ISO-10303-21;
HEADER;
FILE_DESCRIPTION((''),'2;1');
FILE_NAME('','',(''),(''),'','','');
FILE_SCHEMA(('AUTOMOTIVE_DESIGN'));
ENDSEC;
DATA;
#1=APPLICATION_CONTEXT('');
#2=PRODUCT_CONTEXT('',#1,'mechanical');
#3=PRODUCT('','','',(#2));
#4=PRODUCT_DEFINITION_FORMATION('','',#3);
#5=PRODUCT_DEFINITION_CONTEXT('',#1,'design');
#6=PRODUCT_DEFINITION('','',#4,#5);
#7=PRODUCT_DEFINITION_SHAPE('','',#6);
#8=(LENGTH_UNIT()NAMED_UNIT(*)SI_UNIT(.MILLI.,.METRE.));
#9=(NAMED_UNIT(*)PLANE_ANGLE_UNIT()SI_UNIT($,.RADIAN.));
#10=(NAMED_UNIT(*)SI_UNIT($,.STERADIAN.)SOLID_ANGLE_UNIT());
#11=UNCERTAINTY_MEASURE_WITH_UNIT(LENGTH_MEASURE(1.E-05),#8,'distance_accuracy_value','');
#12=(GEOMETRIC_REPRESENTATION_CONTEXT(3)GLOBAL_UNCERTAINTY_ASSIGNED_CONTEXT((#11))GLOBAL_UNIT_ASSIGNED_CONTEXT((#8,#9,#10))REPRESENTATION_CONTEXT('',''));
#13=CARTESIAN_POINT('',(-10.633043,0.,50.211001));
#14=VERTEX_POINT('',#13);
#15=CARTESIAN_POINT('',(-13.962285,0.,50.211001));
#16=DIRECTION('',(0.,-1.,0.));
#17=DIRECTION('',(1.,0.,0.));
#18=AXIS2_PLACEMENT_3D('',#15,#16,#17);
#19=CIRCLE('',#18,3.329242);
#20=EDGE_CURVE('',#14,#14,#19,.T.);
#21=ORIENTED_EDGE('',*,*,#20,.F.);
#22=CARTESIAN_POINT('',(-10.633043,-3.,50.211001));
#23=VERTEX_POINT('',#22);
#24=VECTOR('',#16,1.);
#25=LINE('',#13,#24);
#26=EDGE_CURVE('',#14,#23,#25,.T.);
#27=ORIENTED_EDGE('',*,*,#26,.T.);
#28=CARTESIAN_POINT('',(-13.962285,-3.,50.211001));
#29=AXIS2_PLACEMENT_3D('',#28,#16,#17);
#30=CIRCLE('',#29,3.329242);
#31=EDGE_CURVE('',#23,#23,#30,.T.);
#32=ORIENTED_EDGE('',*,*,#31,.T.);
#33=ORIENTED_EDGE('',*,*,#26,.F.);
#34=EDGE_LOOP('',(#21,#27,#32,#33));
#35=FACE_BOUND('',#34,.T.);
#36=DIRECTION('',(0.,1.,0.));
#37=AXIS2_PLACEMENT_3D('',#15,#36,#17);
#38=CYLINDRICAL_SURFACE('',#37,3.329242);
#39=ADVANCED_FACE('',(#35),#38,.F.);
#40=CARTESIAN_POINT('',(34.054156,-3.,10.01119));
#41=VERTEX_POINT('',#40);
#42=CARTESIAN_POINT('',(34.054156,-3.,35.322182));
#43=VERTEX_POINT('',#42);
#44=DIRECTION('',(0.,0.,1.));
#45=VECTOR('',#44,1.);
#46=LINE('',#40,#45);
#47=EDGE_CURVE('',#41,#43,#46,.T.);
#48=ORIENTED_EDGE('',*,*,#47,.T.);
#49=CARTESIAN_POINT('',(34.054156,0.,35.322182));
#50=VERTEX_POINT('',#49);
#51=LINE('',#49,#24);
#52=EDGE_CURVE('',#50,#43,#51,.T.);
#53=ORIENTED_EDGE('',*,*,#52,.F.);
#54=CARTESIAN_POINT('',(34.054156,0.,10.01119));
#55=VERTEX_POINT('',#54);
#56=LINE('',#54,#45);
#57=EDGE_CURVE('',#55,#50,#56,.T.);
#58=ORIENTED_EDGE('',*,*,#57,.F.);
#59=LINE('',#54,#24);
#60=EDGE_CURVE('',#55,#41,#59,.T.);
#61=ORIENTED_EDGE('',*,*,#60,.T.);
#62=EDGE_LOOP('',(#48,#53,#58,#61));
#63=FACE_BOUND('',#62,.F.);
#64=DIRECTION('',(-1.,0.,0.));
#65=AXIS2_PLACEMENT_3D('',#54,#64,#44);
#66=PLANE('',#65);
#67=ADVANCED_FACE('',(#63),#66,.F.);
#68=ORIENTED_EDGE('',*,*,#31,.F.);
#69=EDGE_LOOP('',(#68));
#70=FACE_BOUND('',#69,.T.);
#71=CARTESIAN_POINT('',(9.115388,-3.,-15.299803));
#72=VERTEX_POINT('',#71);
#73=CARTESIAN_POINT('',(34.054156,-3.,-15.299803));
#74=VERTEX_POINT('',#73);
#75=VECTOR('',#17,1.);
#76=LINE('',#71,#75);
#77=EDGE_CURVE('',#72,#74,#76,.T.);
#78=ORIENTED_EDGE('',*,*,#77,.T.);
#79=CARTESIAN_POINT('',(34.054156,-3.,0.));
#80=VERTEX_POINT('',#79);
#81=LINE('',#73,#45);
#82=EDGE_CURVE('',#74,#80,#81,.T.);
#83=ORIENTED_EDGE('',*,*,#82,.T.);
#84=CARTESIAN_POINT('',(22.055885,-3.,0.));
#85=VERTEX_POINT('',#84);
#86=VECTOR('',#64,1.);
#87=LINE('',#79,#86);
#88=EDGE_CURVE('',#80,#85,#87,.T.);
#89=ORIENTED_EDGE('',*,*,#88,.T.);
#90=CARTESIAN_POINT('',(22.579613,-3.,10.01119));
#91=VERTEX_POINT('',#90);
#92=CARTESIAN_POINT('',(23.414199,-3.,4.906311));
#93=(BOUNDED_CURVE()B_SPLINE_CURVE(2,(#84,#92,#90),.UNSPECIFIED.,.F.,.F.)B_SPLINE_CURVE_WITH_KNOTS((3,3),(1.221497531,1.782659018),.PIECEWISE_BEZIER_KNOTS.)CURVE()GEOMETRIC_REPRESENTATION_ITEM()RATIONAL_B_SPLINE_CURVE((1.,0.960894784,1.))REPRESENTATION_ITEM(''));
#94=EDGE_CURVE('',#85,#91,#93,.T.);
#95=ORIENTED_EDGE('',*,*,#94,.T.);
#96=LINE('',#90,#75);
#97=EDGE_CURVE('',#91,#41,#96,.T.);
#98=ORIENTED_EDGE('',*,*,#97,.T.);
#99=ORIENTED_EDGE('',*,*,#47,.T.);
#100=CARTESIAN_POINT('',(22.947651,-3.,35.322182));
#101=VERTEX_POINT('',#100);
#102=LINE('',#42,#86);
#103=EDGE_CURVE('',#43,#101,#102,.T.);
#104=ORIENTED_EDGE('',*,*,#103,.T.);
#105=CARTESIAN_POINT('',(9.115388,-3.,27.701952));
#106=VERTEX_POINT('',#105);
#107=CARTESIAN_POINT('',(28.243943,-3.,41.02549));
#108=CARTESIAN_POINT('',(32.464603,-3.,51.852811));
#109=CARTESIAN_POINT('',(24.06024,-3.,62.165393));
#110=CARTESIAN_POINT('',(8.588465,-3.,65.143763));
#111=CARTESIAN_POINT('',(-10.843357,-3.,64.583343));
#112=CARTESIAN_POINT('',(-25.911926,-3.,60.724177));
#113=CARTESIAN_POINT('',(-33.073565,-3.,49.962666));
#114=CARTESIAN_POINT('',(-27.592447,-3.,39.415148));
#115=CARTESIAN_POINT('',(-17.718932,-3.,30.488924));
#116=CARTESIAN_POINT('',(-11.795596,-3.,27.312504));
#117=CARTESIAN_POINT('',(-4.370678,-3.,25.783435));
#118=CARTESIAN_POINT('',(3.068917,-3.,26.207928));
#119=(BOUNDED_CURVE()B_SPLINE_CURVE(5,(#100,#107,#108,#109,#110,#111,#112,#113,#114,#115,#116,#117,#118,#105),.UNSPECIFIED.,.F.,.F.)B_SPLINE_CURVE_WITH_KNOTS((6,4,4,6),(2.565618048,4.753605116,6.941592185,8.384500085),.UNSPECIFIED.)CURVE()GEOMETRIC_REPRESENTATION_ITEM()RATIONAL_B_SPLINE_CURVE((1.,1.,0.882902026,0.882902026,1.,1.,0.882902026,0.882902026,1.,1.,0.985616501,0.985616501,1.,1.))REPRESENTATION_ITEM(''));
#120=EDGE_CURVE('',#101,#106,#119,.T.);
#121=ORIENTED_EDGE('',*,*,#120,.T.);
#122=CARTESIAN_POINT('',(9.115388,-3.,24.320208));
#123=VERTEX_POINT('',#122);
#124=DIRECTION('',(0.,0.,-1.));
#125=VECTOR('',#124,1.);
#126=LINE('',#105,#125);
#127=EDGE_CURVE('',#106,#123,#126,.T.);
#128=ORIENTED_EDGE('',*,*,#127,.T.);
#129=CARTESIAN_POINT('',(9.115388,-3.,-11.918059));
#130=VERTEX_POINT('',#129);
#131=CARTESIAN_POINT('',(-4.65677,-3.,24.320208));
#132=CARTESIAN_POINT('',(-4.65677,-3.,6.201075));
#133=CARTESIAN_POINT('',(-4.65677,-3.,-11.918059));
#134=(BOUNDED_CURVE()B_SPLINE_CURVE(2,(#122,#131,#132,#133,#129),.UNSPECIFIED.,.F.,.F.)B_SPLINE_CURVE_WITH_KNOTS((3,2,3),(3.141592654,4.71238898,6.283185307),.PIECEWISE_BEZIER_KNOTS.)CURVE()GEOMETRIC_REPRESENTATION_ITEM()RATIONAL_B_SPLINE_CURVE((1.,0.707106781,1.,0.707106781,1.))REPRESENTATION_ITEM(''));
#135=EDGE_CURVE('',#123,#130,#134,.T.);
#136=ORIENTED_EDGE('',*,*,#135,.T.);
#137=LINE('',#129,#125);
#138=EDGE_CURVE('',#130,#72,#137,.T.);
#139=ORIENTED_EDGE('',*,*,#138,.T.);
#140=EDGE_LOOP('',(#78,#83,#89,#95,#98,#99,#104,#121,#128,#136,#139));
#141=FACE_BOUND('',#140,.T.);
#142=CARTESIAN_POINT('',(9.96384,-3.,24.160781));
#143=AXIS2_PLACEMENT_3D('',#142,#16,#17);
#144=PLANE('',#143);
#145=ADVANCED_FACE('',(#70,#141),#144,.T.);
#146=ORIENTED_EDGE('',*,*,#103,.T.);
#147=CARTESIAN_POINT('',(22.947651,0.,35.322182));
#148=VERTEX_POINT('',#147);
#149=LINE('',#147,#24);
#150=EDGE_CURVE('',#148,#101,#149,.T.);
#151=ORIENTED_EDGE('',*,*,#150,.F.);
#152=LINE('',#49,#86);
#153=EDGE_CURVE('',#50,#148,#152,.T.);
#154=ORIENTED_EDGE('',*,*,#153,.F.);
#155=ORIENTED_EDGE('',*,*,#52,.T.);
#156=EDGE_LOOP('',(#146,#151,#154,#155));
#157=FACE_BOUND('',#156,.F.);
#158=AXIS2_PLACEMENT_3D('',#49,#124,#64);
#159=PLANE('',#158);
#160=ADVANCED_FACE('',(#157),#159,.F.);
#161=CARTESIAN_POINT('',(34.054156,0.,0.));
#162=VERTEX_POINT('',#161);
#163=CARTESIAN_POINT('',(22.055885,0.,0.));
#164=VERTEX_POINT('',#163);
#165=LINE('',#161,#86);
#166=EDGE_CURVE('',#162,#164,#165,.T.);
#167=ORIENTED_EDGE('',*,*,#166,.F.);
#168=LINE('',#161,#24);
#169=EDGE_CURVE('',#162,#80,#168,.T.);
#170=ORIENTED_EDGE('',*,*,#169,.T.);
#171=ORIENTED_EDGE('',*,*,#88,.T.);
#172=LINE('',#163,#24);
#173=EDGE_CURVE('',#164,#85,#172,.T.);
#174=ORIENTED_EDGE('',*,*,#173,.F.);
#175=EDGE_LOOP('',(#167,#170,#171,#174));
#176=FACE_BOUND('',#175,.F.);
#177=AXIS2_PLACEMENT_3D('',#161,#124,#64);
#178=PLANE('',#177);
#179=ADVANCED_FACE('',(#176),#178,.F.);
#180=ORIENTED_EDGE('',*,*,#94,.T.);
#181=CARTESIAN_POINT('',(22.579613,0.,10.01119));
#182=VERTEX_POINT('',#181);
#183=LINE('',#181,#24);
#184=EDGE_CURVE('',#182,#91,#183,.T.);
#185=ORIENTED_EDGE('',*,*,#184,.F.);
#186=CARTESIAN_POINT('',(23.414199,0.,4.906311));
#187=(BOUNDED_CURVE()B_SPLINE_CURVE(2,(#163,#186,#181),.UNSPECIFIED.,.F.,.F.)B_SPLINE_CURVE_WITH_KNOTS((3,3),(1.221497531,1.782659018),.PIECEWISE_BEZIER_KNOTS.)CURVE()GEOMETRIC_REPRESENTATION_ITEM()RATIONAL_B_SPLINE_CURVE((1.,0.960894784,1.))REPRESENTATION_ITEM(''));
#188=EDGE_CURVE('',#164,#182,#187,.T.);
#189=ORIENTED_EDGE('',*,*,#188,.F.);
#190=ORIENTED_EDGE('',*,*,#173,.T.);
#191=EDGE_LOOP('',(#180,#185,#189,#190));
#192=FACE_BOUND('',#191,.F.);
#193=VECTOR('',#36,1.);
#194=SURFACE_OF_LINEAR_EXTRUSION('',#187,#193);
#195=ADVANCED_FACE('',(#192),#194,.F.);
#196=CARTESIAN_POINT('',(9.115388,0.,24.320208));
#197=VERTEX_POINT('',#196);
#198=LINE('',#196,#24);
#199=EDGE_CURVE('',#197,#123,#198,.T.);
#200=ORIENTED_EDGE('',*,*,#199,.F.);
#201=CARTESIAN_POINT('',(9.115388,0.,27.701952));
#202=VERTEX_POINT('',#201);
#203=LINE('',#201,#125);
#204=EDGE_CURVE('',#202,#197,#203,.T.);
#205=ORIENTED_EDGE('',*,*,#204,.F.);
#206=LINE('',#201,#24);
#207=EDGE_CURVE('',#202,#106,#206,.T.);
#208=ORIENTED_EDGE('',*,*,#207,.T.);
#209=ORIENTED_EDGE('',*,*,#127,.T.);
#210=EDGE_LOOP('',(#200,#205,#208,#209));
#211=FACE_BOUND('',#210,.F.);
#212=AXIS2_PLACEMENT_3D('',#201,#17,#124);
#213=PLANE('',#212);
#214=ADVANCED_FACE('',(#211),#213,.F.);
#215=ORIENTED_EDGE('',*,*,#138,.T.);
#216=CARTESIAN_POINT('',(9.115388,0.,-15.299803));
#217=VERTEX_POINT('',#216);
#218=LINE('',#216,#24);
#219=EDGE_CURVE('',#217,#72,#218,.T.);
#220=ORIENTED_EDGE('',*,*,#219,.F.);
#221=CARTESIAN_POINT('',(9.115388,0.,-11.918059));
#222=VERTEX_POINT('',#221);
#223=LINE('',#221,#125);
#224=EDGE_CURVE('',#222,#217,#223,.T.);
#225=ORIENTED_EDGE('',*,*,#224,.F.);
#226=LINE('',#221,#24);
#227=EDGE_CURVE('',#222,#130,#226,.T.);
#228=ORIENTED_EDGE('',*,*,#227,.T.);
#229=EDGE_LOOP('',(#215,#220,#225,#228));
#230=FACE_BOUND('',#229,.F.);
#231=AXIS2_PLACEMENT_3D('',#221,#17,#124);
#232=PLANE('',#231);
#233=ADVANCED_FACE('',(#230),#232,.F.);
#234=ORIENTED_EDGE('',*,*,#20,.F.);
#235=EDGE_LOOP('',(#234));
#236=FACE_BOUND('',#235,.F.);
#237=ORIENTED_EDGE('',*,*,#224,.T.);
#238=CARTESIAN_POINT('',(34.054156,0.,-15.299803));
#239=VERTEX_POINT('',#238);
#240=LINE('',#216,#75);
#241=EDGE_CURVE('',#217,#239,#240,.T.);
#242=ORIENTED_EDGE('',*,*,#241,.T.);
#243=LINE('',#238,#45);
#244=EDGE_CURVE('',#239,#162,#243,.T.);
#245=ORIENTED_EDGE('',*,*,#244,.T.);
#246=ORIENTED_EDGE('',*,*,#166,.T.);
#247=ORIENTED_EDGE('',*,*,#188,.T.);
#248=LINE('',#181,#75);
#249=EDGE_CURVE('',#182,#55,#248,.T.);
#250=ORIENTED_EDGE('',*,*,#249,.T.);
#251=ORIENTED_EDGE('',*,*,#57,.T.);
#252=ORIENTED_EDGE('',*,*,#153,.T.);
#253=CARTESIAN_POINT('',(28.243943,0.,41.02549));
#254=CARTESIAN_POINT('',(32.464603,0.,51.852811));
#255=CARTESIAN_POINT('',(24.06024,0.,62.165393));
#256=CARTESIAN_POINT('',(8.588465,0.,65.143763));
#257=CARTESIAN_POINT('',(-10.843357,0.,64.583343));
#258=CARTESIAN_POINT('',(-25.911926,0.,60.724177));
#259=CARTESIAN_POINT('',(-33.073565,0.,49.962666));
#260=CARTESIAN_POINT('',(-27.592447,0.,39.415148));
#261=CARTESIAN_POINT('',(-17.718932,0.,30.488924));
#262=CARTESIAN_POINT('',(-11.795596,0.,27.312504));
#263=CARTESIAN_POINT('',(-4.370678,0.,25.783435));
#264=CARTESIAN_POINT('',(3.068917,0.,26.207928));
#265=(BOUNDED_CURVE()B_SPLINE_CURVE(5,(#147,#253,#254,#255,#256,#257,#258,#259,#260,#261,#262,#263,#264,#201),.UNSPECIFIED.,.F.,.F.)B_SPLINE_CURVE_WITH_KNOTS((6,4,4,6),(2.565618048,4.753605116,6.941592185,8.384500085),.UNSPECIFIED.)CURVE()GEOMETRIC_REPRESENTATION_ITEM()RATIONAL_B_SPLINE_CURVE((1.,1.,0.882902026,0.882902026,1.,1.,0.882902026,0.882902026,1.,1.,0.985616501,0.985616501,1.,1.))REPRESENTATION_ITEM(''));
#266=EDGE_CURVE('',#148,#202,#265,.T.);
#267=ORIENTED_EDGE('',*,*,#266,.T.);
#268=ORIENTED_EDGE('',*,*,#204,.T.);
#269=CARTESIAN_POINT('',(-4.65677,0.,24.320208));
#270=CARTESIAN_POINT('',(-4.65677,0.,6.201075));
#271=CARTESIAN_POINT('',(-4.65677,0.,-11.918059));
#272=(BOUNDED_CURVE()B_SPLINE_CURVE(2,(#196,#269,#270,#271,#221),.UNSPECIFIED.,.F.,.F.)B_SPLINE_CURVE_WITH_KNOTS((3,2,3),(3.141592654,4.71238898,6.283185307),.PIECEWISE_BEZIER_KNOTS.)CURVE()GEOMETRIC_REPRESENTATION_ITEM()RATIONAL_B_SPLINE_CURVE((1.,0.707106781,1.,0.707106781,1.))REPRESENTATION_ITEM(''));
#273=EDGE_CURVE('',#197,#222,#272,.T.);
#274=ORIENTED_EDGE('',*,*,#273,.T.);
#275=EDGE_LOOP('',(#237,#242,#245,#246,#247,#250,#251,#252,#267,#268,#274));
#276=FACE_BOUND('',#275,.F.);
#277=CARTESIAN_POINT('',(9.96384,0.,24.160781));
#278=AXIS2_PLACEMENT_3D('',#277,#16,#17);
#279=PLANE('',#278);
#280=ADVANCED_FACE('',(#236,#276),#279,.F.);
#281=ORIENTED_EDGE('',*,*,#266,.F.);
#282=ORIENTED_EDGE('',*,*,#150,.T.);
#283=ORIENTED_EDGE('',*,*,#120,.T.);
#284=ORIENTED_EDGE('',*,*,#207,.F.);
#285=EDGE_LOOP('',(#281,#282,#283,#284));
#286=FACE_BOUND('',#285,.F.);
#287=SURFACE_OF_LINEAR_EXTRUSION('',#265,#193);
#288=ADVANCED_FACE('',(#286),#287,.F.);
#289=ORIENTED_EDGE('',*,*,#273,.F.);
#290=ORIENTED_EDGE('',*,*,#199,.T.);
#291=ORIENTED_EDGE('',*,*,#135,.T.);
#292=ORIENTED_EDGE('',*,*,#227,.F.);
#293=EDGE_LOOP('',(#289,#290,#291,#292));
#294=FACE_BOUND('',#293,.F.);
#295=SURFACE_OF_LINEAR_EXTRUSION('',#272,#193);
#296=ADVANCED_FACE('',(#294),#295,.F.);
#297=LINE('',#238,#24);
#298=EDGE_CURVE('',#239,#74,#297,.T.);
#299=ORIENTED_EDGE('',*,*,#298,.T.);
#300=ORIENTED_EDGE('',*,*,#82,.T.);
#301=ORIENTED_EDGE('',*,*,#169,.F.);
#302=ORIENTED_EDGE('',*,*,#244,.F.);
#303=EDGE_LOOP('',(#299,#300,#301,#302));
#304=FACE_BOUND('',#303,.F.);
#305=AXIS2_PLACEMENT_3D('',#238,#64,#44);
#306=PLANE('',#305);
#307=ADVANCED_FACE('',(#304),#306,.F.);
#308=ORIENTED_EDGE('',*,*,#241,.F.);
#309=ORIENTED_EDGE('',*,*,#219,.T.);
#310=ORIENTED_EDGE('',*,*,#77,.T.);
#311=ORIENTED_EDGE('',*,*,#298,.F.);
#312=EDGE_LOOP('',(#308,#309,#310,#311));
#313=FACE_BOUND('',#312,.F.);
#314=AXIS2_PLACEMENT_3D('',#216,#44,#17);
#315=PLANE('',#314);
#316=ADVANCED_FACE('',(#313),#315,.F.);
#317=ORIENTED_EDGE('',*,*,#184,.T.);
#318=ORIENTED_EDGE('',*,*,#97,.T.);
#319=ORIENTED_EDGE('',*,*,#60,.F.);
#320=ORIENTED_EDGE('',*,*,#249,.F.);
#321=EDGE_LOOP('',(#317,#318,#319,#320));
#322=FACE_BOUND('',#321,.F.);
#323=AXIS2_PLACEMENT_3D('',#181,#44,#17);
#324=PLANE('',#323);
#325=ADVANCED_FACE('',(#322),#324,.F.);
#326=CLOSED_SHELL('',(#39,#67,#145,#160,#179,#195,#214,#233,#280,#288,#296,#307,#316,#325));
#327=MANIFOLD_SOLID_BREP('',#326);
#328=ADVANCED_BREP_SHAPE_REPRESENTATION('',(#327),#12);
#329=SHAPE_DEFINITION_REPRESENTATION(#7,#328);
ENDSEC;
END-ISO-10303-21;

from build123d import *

# Parameters (mm, degrees)
F0_R     = 3.3292420405
F1_DEPTH = 3


with BuildPart() as f1:
    # F0 (on Front) → F1 (new body)
    with BuildSketch(Plane.XZ):
        with BuildLine():
            Line((34.0541563928, 35.3221818805), (22.9476508448, 35.3221818805))
            add(Edge.make_bspline(
                [(22.9476508448, 35.3221818805), (51.798273221, 66.3899498883), (-1.1274457032, 64.8635530565), (-54.0531646273, 63.3371562246), (-21.64264039, 34.036181791)],
                knots=[2.565618048, 2.565618048, 2.565618048, 4.7536051163, 4.7536051163, 6.9415921846, 6.9415921846, 6.9415921846], degree=2, weights=[1, 0.4589409135, 1, 0.4589409135, 1]))
            add(Edge.make_bspline(
                [(-21.64264039, 34.036181791), (-9.5379908267, 23.0928837195), (9.1153876856, 27.7019518684)],
                knots=[0.6584068774, 0.6584068774, 0.6584068774, 1.9104257686, 1.9104257686, 1.9104257686], degree=2, weights=[1, 0.8103720826, 1]))
            Line((9.1153876856, 27.7019518684), (9.1153876856, 24.3202078543))
            add(Edge.make_bspline(
                [(9.1153876856, 24.3202078543), (-4.6567702666, 24.3202078543), (-4.6567702666, 6.2010746112), (-4.6567702666, -11.9180586319), (9.1153876856, -11.9180586319)],
                knots=[3.1415926536, 3.1415926536, 3.1415926536, 4.7123889804, 4.7123889804, 6.2831853072, 6.2831853072, 6.2831853072], degree=2, weights=[1, 0.7071067812, 1, 0.7071067812, 1]))
            Line((9.1153876856, -11.9180586319), (9.1153876856, -15.299802646))
            Line((9.1153876856, -15.299802646), (34.0541563928, -15.299802646))
            Line((34.0541563928, -15.299802646), (34.0541563928, 0))
            Line((34.0541563928, 0), (22.0558852773, 0))
            add(Edge.make_bspline(
                [(22.0558852773, 0), (23.4141993, 4.9063107447), (22.5796128831, 10.0111896172)],
                knots=[1.2214975307, 1.2214975307, 1.2214975307, 1.7826590175, 1.7826590175, 1.7826590175], degree=2, weights=[1, 0.9608947845, 1]))
            Line((22.5796128831, 10.0111896172), (34.0541563928, 10.0111896172))
            Line((34.0541563928, 10.0111896172), (34.0541563928, 35.3221818805))
        make_face()
        with Locations((-13.9622846618, 50.2110011876)):
            Circle(F0_R, mode=Mode.SUBTRACT)
    extrude(amount=F1_DEPTH)


solid = f1.part
